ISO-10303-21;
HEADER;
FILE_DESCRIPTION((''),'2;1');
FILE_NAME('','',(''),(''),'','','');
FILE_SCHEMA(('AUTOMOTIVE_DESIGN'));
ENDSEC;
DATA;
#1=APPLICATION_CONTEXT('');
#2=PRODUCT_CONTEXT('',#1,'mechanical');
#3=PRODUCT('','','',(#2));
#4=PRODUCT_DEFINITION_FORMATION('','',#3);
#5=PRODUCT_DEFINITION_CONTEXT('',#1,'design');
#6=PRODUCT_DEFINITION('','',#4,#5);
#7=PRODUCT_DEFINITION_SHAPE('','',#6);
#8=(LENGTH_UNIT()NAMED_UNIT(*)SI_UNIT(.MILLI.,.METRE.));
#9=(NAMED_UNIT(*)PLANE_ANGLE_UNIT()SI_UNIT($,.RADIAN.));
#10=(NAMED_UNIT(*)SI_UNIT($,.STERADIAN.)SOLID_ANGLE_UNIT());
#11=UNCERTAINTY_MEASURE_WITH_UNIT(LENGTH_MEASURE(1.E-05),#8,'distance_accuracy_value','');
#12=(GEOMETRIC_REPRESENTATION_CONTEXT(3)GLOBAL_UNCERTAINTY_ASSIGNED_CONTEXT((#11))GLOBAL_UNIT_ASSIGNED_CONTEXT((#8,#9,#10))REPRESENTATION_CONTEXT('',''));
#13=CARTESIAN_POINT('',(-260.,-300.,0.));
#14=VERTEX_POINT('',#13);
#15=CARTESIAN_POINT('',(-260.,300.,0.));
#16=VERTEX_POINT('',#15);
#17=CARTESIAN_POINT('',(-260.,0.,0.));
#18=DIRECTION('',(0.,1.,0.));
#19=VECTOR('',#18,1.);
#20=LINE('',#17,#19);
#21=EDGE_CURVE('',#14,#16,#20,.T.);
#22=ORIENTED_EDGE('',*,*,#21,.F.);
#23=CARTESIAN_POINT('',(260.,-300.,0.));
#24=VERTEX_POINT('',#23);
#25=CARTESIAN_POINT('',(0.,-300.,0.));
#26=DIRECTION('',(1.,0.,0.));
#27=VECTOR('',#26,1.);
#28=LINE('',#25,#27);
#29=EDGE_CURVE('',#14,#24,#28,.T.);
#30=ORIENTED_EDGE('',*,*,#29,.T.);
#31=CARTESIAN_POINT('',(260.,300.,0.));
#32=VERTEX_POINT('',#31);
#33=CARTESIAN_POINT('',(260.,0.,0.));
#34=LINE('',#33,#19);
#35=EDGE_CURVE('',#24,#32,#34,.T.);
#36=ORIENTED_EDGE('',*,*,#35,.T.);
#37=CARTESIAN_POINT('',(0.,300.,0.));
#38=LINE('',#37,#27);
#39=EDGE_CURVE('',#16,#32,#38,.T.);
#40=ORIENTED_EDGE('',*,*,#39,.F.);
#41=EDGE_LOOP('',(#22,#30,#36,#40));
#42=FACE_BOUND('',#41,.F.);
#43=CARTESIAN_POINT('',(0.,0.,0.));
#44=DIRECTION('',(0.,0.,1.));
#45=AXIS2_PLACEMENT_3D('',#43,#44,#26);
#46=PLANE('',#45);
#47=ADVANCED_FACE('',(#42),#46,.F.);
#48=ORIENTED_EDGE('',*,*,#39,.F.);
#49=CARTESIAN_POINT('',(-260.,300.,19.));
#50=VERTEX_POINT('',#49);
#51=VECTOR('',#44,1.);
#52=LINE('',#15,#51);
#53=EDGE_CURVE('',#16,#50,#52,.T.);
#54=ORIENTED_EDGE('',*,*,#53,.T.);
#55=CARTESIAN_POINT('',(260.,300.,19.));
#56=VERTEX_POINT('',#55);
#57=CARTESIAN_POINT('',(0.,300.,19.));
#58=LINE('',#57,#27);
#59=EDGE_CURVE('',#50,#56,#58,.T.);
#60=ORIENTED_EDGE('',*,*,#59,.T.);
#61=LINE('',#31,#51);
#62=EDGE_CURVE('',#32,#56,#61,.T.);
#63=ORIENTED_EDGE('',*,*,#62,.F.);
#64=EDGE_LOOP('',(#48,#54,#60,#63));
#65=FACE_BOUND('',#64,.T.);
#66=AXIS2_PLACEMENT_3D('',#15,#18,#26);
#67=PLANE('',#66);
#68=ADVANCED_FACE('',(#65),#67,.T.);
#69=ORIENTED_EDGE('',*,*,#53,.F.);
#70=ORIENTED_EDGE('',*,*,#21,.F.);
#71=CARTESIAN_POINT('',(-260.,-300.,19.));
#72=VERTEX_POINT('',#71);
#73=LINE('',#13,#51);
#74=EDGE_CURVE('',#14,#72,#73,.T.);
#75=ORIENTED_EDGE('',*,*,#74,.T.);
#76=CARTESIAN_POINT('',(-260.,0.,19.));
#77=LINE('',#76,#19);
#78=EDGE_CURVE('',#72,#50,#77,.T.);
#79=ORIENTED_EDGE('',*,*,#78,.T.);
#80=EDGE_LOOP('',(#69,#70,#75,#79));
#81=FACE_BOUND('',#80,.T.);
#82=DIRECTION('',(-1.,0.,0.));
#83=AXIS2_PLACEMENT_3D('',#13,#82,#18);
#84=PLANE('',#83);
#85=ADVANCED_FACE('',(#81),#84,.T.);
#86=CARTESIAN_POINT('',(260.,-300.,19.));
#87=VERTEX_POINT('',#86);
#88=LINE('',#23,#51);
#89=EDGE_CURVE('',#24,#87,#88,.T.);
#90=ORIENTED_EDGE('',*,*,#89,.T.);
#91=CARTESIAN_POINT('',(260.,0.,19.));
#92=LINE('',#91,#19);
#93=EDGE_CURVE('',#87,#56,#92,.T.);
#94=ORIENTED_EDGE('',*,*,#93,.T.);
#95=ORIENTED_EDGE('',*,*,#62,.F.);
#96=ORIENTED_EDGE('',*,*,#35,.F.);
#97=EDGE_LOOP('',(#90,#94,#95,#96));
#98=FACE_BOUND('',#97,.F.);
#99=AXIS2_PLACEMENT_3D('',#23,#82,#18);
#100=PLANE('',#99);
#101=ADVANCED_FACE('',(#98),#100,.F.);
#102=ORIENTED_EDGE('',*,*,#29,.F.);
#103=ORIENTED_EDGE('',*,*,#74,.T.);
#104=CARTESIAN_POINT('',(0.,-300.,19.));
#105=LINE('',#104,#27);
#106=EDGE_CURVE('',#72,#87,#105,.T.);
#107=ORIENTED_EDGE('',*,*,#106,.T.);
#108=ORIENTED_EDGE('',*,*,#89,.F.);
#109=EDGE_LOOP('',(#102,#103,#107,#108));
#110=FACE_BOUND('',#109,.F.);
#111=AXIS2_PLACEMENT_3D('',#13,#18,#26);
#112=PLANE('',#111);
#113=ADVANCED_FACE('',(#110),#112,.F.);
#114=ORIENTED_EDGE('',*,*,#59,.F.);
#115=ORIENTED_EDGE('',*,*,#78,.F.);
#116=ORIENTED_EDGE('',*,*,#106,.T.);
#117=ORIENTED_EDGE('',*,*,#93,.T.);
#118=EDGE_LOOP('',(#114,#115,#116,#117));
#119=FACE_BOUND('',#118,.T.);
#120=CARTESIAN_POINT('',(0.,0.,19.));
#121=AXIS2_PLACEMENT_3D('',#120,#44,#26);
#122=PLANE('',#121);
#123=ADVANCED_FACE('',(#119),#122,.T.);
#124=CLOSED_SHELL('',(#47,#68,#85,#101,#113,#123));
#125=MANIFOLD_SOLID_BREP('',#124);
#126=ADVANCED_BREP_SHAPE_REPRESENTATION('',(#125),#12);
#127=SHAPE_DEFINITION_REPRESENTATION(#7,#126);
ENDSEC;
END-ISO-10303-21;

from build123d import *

# Parameters (mm, degrees)
SKETCH_W  = 520
SKETCH_H  = 600
PAD_DEPTH = 19


with BuildPart() as part:
    # Sketch → Pad (new body)
    with BuildSketch(Plane.XY):
        Rectangle(SKETCH_W, SKETCH_H)
    extrude(amount=PAD_DEPTH)


solid = part.part
